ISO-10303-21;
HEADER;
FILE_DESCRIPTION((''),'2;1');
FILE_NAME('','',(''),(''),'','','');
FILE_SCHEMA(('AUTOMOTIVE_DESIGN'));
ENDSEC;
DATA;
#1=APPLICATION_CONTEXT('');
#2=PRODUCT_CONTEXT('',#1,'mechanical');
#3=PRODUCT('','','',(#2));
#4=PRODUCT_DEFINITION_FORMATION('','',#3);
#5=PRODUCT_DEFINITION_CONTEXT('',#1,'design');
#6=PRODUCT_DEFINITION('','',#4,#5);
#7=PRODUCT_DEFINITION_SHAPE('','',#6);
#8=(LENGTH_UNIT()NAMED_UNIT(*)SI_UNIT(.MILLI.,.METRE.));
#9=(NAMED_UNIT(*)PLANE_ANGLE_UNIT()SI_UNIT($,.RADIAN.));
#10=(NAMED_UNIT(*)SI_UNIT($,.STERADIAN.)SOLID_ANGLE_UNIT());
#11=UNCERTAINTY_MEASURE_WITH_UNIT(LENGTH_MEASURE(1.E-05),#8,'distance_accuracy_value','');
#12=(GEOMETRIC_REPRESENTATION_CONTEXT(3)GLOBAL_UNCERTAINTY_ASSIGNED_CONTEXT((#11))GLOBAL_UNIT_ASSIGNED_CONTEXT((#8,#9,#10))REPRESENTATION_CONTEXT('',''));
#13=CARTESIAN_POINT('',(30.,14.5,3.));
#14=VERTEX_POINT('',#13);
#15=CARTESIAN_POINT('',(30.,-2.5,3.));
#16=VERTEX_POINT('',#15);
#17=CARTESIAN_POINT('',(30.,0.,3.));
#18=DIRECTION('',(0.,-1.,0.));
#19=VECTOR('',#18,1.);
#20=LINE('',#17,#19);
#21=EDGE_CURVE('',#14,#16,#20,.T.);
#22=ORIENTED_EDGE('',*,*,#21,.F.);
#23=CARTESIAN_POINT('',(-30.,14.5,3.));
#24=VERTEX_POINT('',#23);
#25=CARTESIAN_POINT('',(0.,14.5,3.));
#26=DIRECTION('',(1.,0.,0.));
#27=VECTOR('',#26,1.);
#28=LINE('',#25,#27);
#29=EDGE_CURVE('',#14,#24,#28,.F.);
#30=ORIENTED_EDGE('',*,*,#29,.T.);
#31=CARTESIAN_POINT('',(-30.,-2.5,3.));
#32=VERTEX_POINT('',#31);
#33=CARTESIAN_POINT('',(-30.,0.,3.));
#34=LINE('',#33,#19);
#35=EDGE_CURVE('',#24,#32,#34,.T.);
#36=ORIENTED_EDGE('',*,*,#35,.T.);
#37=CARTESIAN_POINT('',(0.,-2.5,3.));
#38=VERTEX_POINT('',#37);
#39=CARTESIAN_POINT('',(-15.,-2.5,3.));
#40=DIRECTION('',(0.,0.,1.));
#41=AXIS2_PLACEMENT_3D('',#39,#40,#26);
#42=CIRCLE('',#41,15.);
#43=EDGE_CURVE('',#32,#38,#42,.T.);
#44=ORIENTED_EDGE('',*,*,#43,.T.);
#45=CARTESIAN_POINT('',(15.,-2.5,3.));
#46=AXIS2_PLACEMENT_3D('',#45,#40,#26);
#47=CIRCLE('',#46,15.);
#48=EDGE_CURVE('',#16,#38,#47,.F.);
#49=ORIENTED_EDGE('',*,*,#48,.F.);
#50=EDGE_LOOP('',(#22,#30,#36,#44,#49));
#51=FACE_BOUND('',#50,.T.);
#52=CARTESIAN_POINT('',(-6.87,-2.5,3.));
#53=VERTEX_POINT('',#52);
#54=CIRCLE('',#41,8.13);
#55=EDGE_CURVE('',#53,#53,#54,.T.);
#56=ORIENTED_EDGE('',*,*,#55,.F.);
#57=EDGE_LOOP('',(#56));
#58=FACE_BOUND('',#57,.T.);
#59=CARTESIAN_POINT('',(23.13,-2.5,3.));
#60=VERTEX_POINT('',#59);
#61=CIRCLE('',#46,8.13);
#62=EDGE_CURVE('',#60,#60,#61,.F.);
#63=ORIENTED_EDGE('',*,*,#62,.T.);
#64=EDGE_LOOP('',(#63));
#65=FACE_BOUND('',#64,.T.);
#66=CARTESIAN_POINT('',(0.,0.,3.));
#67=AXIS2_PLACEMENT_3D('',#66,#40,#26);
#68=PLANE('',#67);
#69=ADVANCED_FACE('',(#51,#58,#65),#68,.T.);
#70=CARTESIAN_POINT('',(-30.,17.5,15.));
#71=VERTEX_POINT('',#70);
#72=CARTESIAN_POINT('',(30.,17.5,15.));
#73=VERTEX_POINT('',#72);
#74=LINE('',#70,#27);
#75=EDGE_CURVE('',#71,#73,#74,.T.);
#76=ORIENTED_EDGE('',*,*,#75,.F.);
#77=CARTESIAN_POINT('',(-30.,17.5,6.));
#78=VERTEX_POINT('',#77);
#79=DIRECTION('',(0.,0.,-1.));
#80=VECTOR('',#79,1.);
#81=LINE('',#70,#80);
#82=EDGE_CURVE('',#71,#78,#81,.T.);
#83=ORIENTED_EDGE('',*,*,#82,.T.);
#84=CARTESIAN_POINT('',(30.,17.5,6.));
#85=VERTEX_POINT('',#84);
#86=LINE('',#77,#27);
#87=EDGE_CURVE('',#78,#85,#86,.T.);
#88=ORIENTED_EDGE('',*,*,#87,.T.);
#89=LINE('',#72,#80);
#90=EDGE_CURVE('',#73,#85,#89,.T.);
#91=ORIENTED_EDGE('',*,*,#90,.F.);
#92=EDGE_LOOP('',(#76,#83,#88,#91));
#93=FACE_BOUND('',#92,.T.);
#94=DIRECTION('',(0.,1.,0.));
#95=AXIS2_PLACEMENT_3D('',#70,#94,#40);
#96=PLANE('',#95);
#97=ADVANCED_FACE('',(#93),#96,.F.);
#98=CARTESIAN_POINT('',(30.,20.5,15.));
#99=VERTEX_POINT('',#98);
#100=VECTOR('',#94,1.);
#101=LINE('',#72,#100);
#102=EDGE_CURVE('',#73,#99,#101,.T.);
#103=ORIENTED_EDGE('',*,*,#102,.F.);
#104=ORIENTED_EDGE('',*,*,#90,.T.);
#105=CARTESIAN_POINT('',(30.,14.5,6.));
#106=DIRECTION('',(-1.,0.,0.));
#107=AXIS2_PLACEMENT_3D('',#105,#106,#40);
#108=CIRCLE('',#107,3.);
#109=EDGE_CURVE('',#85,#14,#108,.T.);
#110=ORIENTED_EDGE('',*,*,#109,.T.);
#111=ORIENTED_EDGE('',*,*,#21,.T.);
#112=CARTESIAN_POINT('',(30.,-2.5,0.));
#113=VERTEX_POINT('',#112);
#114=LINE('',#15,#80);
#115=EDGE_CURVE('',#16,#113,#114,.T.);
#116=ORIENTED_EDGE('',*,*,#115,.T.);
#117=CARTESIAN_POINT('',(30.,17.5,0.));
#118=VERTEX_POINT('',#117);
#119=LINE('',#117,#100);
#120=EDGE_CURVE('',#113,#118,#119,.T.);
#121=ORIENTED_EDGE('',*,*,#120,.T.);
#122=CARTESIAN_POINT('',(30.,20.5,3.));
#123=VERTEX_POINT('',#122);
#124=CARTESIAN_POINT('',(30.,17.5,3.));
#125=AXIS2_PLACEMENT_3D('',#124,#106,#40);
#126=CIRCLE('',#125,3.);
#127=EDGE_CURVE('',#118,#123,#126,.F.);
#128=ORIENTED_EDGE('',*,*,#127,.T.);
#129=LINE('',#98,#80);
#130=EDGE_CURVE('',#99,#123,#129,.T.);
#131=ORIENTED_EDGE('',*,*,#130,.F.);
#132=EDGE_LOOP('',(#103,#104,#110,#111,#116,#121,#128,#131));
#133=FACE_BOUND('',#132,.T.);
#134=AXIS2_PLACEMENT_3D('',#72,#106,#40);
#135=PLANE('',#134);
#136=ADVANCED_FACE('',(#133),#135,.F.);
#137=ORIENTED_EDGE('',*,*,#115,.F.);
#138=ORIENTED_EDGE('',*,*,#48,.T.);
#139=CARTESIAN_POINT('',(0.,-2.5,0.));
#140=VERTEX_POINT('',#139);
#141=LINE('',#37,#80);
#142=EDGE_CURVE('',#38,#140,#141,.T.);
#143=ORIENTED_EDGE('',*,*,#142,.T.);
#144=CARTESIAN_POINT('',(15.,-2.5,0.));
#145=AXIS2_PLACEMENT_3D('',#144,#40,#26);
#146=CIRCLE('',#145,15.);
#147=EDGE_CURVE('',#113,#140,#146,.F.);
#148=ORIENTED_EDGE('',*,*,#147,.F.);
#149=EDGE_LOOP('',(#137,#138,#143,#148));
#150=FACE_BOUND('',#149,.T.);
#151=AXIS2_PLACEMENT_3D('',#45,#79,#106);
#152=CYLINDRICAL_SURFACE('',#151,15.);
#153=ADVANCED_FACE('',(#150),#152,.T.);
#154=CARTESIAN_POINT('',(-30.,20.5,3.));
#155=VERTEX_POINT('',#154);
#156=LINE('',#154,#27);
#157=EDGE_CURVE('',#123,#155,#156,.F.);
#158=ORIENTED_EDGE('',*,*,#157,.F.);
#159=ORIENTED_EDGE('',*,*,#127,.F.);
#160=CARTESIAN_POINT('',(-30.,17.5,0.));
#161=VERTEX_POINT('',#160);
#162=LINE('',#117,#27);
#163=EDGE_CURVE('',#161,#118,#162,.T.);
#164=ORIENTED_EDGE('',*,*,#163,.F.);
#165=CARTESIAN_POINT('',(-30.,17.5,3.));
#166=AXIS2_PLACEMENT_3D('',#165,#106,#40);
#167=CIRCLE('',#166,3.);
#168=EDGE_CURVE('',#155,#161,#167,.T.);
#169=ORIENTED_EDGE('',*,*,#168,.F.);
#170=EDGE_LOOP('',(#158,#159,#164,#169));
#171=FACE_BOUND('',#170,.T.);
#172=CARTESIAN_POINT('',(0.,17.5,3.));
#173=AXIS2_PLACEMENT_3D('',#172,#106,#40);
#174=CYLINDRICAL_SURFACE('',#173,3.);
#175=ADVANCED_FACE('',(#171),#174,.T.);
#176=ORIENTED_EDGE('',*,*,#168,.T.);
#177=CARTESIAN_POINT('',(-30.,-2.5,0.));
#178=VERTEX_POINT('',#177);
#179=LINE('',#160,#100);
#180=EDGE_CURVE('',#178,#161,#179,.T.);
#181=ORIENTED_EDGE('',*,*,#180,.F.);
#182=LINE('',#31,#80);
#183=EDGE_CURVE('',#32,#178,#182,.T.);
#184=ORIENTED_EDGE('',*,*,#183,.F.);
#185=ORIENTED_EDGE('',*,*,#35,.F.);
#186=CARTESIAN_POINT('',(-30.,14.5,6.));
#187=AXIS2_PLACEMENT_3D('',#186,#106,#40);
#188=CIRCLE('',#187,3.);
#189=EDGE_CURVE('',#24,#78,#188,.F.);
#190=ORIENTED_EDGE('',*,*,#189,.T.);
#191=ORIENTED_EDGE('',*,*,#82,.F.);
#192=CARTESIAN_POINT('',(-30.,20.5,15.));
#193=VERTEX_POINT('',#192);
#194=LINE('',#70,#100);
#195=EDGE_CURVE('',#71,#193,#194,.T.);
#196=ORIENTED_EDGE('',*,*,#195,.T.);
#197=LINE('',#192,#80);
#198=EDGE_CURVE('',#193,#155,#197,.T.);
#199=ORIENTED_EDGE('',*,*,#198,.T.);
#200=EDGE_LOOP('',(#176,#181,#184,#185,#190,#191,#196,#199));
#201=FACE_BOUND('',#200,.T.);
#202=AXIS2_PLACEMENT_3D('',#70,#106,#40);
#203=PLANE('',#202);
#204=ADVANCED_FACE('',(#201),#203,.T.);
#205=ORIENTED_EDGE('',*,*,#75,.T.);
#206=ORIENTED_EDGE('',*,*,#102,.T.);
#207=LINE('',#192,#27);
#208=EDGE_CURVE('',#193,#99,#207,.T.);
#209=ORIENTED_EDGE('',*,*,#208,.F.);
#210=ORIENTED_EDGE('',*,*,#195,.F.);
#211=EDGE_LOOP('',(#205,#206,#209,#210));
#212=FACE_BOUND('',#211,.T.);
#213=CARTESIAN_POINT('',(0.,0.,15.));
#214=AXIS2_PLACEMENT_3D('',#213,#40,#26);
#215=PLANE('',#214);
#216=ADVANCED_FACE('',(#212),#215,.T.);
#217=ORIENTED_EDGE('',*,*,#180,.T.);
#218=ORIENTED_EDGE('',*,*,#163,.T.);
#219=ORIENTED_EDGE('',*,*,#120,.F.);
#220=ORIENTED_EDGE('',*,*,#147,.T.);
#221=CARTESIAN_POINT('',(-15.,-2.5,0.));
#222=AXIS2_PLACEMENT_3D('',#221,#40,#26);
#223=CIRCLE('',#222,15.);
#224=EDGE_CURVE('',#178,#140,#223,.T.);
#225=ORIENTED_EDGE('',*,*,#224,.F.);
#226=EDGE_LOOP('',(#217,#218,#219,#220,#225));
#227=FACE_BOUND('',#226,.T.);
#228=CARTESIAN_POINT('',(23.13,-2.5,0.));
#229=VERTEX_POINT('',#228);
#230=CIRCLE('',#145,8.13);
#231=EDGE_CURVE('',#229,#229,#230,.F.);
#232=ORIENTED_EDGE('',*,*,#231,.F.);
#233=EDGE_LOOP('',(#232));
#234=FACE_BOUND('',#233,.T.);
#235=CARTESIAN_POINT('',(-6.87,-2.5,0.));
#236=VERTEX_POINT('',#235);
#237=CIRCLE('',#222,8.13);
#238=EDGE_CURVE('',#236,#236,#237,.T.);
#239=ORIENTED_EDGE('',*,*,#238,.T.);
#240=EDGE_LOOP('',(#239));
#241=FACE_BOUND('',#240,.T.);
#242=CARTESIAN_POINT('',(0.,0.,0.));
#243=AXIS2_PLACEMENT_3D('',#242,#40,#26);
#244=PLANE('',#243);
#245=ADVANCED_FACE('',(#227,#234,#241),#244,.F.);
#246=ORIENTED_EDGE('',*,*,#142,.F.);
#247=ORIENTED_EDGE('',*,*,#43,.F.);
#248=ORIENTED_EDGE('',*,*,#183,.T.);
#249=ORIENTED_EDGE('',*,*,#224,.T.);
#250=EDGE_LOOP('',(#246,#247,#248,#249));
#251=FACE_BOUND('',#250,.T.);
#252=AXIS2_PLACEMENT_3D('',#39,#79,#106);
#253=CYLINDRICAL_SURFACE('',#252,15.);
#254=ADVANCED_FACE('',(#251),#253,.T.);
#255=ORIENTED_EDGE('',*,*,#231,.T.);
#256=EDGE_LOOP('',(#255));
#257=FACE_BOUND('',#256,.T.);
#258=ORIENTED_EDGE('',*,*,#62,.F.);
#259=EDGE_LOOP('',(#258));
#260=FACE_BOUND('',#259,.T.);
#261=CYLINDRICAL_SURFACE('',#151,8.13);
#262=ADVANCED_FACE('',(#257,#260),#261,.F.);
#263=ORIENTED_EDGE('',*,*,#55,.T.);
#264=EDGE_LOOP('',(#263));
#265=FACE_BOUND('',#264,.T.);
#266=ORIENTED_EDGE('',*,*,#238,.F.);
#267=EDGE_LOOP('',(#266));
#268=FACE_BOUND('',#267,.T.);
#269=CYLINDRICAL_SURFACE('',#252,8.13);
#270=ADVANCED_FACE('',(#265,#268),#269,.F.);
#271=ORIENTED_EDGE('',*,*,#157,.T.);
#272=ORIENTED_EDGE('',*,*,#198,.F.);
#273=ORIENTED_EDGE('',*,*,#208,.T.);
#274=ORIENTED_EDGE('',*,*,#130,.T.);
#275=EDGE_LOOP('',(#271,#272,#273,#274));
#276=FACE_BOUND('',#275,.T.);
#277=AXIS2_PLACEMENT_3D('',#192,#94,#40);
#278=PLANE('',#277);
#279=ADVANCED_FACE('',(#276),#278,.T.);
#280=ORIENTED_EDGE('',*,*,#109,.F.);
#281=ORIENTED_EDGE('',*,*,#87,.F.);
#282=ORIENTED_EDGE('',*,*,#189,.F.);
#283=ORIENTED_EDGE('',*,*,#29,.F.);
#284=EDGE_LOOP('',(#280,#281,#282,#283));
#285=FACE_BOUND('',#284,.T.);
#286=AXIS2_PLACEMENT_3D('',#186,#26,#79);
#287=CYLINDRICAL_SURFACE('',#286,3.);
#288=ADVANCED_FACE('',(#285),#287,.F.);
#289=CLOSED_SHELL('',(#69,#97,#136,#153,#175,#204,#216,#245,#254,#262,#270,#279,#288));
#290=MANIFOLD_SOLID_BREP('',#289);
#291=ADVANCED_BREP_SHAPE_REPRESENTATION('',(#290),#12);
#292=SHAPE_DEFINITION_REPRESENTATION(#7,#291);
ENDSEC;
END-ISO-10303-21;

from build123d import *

# Parameters (mm, degrees)
SKETCH1_W           = 60
SKETCH1_H           = 3
BOSS_EXTRUDE2_DEPTH = 15
SKETCH1_5_R         = 8.13
BOSS_EXTRUDE3_DEPTH = 3
FILLET1_R           = 3
FILLET2_R           = 3


with BuildPart() as part:
    # Sketch1 → Boss-Extrude2 (new body)
    with BuildSketch(Plane.XY):
        with Locations((0, 19)):
            Rectangle(SKETCH1_W, SKETCH1_H)
    extrude(amount=BOSS_EXTRUDE2_DEPTH)

    # Sketch1<5> → Boss-Extrude3 (add)
    with BuildSketch(Plane.XY):
        with BuildLine():
            Line((30, 17.5), (-30, 17.5))
            Line((-30, 17.5), (-30, -2.5))
            ThreePointArc((-30, -2.5), (-25.606601718, -13.106601718), (-15, -17.5))
            ThreePointArc((-15, -17.5), (-4.393398282, -13.106601718), (0, -2.5))
            ThreePointArc((0, -2.5), (4.39339828, -13.106601715), (14.999999993, -17.5))
            ThreePointArc((14.999999993, -17.5), (25.606601715, -13.10660172), (30, -2.5))
            Line((30, -2.5), (30, 17.5))
        make_face()
        with Locations((-15, -2.5)):
            Circle(SKETCH1_5_R, mode=Mode.SUBTRACT)
        with Locations((15, -2.5)):
            Circle(SKETCH1_5_R, mode=Mode.SUBTRACT)
    extrude(amount=BOSS_EXTRUDE3_DEPTH)

    # Fillet1
    fillet1_edges = [part.edges().sort_by_distance(p)[0] for p in [
        (0, 17.5, 3),
    ]]
    fillet(fillet1_edges, radius=FILLET1_R)

    # Fillet2
    fillet2_edges = [part.edges().sort_by_distance(p)[0] for p in [
        (0, 20.5, 0),
    ]]
    fillet(fillet2_edges, radius=FILLET2_R)


solid = part.part
